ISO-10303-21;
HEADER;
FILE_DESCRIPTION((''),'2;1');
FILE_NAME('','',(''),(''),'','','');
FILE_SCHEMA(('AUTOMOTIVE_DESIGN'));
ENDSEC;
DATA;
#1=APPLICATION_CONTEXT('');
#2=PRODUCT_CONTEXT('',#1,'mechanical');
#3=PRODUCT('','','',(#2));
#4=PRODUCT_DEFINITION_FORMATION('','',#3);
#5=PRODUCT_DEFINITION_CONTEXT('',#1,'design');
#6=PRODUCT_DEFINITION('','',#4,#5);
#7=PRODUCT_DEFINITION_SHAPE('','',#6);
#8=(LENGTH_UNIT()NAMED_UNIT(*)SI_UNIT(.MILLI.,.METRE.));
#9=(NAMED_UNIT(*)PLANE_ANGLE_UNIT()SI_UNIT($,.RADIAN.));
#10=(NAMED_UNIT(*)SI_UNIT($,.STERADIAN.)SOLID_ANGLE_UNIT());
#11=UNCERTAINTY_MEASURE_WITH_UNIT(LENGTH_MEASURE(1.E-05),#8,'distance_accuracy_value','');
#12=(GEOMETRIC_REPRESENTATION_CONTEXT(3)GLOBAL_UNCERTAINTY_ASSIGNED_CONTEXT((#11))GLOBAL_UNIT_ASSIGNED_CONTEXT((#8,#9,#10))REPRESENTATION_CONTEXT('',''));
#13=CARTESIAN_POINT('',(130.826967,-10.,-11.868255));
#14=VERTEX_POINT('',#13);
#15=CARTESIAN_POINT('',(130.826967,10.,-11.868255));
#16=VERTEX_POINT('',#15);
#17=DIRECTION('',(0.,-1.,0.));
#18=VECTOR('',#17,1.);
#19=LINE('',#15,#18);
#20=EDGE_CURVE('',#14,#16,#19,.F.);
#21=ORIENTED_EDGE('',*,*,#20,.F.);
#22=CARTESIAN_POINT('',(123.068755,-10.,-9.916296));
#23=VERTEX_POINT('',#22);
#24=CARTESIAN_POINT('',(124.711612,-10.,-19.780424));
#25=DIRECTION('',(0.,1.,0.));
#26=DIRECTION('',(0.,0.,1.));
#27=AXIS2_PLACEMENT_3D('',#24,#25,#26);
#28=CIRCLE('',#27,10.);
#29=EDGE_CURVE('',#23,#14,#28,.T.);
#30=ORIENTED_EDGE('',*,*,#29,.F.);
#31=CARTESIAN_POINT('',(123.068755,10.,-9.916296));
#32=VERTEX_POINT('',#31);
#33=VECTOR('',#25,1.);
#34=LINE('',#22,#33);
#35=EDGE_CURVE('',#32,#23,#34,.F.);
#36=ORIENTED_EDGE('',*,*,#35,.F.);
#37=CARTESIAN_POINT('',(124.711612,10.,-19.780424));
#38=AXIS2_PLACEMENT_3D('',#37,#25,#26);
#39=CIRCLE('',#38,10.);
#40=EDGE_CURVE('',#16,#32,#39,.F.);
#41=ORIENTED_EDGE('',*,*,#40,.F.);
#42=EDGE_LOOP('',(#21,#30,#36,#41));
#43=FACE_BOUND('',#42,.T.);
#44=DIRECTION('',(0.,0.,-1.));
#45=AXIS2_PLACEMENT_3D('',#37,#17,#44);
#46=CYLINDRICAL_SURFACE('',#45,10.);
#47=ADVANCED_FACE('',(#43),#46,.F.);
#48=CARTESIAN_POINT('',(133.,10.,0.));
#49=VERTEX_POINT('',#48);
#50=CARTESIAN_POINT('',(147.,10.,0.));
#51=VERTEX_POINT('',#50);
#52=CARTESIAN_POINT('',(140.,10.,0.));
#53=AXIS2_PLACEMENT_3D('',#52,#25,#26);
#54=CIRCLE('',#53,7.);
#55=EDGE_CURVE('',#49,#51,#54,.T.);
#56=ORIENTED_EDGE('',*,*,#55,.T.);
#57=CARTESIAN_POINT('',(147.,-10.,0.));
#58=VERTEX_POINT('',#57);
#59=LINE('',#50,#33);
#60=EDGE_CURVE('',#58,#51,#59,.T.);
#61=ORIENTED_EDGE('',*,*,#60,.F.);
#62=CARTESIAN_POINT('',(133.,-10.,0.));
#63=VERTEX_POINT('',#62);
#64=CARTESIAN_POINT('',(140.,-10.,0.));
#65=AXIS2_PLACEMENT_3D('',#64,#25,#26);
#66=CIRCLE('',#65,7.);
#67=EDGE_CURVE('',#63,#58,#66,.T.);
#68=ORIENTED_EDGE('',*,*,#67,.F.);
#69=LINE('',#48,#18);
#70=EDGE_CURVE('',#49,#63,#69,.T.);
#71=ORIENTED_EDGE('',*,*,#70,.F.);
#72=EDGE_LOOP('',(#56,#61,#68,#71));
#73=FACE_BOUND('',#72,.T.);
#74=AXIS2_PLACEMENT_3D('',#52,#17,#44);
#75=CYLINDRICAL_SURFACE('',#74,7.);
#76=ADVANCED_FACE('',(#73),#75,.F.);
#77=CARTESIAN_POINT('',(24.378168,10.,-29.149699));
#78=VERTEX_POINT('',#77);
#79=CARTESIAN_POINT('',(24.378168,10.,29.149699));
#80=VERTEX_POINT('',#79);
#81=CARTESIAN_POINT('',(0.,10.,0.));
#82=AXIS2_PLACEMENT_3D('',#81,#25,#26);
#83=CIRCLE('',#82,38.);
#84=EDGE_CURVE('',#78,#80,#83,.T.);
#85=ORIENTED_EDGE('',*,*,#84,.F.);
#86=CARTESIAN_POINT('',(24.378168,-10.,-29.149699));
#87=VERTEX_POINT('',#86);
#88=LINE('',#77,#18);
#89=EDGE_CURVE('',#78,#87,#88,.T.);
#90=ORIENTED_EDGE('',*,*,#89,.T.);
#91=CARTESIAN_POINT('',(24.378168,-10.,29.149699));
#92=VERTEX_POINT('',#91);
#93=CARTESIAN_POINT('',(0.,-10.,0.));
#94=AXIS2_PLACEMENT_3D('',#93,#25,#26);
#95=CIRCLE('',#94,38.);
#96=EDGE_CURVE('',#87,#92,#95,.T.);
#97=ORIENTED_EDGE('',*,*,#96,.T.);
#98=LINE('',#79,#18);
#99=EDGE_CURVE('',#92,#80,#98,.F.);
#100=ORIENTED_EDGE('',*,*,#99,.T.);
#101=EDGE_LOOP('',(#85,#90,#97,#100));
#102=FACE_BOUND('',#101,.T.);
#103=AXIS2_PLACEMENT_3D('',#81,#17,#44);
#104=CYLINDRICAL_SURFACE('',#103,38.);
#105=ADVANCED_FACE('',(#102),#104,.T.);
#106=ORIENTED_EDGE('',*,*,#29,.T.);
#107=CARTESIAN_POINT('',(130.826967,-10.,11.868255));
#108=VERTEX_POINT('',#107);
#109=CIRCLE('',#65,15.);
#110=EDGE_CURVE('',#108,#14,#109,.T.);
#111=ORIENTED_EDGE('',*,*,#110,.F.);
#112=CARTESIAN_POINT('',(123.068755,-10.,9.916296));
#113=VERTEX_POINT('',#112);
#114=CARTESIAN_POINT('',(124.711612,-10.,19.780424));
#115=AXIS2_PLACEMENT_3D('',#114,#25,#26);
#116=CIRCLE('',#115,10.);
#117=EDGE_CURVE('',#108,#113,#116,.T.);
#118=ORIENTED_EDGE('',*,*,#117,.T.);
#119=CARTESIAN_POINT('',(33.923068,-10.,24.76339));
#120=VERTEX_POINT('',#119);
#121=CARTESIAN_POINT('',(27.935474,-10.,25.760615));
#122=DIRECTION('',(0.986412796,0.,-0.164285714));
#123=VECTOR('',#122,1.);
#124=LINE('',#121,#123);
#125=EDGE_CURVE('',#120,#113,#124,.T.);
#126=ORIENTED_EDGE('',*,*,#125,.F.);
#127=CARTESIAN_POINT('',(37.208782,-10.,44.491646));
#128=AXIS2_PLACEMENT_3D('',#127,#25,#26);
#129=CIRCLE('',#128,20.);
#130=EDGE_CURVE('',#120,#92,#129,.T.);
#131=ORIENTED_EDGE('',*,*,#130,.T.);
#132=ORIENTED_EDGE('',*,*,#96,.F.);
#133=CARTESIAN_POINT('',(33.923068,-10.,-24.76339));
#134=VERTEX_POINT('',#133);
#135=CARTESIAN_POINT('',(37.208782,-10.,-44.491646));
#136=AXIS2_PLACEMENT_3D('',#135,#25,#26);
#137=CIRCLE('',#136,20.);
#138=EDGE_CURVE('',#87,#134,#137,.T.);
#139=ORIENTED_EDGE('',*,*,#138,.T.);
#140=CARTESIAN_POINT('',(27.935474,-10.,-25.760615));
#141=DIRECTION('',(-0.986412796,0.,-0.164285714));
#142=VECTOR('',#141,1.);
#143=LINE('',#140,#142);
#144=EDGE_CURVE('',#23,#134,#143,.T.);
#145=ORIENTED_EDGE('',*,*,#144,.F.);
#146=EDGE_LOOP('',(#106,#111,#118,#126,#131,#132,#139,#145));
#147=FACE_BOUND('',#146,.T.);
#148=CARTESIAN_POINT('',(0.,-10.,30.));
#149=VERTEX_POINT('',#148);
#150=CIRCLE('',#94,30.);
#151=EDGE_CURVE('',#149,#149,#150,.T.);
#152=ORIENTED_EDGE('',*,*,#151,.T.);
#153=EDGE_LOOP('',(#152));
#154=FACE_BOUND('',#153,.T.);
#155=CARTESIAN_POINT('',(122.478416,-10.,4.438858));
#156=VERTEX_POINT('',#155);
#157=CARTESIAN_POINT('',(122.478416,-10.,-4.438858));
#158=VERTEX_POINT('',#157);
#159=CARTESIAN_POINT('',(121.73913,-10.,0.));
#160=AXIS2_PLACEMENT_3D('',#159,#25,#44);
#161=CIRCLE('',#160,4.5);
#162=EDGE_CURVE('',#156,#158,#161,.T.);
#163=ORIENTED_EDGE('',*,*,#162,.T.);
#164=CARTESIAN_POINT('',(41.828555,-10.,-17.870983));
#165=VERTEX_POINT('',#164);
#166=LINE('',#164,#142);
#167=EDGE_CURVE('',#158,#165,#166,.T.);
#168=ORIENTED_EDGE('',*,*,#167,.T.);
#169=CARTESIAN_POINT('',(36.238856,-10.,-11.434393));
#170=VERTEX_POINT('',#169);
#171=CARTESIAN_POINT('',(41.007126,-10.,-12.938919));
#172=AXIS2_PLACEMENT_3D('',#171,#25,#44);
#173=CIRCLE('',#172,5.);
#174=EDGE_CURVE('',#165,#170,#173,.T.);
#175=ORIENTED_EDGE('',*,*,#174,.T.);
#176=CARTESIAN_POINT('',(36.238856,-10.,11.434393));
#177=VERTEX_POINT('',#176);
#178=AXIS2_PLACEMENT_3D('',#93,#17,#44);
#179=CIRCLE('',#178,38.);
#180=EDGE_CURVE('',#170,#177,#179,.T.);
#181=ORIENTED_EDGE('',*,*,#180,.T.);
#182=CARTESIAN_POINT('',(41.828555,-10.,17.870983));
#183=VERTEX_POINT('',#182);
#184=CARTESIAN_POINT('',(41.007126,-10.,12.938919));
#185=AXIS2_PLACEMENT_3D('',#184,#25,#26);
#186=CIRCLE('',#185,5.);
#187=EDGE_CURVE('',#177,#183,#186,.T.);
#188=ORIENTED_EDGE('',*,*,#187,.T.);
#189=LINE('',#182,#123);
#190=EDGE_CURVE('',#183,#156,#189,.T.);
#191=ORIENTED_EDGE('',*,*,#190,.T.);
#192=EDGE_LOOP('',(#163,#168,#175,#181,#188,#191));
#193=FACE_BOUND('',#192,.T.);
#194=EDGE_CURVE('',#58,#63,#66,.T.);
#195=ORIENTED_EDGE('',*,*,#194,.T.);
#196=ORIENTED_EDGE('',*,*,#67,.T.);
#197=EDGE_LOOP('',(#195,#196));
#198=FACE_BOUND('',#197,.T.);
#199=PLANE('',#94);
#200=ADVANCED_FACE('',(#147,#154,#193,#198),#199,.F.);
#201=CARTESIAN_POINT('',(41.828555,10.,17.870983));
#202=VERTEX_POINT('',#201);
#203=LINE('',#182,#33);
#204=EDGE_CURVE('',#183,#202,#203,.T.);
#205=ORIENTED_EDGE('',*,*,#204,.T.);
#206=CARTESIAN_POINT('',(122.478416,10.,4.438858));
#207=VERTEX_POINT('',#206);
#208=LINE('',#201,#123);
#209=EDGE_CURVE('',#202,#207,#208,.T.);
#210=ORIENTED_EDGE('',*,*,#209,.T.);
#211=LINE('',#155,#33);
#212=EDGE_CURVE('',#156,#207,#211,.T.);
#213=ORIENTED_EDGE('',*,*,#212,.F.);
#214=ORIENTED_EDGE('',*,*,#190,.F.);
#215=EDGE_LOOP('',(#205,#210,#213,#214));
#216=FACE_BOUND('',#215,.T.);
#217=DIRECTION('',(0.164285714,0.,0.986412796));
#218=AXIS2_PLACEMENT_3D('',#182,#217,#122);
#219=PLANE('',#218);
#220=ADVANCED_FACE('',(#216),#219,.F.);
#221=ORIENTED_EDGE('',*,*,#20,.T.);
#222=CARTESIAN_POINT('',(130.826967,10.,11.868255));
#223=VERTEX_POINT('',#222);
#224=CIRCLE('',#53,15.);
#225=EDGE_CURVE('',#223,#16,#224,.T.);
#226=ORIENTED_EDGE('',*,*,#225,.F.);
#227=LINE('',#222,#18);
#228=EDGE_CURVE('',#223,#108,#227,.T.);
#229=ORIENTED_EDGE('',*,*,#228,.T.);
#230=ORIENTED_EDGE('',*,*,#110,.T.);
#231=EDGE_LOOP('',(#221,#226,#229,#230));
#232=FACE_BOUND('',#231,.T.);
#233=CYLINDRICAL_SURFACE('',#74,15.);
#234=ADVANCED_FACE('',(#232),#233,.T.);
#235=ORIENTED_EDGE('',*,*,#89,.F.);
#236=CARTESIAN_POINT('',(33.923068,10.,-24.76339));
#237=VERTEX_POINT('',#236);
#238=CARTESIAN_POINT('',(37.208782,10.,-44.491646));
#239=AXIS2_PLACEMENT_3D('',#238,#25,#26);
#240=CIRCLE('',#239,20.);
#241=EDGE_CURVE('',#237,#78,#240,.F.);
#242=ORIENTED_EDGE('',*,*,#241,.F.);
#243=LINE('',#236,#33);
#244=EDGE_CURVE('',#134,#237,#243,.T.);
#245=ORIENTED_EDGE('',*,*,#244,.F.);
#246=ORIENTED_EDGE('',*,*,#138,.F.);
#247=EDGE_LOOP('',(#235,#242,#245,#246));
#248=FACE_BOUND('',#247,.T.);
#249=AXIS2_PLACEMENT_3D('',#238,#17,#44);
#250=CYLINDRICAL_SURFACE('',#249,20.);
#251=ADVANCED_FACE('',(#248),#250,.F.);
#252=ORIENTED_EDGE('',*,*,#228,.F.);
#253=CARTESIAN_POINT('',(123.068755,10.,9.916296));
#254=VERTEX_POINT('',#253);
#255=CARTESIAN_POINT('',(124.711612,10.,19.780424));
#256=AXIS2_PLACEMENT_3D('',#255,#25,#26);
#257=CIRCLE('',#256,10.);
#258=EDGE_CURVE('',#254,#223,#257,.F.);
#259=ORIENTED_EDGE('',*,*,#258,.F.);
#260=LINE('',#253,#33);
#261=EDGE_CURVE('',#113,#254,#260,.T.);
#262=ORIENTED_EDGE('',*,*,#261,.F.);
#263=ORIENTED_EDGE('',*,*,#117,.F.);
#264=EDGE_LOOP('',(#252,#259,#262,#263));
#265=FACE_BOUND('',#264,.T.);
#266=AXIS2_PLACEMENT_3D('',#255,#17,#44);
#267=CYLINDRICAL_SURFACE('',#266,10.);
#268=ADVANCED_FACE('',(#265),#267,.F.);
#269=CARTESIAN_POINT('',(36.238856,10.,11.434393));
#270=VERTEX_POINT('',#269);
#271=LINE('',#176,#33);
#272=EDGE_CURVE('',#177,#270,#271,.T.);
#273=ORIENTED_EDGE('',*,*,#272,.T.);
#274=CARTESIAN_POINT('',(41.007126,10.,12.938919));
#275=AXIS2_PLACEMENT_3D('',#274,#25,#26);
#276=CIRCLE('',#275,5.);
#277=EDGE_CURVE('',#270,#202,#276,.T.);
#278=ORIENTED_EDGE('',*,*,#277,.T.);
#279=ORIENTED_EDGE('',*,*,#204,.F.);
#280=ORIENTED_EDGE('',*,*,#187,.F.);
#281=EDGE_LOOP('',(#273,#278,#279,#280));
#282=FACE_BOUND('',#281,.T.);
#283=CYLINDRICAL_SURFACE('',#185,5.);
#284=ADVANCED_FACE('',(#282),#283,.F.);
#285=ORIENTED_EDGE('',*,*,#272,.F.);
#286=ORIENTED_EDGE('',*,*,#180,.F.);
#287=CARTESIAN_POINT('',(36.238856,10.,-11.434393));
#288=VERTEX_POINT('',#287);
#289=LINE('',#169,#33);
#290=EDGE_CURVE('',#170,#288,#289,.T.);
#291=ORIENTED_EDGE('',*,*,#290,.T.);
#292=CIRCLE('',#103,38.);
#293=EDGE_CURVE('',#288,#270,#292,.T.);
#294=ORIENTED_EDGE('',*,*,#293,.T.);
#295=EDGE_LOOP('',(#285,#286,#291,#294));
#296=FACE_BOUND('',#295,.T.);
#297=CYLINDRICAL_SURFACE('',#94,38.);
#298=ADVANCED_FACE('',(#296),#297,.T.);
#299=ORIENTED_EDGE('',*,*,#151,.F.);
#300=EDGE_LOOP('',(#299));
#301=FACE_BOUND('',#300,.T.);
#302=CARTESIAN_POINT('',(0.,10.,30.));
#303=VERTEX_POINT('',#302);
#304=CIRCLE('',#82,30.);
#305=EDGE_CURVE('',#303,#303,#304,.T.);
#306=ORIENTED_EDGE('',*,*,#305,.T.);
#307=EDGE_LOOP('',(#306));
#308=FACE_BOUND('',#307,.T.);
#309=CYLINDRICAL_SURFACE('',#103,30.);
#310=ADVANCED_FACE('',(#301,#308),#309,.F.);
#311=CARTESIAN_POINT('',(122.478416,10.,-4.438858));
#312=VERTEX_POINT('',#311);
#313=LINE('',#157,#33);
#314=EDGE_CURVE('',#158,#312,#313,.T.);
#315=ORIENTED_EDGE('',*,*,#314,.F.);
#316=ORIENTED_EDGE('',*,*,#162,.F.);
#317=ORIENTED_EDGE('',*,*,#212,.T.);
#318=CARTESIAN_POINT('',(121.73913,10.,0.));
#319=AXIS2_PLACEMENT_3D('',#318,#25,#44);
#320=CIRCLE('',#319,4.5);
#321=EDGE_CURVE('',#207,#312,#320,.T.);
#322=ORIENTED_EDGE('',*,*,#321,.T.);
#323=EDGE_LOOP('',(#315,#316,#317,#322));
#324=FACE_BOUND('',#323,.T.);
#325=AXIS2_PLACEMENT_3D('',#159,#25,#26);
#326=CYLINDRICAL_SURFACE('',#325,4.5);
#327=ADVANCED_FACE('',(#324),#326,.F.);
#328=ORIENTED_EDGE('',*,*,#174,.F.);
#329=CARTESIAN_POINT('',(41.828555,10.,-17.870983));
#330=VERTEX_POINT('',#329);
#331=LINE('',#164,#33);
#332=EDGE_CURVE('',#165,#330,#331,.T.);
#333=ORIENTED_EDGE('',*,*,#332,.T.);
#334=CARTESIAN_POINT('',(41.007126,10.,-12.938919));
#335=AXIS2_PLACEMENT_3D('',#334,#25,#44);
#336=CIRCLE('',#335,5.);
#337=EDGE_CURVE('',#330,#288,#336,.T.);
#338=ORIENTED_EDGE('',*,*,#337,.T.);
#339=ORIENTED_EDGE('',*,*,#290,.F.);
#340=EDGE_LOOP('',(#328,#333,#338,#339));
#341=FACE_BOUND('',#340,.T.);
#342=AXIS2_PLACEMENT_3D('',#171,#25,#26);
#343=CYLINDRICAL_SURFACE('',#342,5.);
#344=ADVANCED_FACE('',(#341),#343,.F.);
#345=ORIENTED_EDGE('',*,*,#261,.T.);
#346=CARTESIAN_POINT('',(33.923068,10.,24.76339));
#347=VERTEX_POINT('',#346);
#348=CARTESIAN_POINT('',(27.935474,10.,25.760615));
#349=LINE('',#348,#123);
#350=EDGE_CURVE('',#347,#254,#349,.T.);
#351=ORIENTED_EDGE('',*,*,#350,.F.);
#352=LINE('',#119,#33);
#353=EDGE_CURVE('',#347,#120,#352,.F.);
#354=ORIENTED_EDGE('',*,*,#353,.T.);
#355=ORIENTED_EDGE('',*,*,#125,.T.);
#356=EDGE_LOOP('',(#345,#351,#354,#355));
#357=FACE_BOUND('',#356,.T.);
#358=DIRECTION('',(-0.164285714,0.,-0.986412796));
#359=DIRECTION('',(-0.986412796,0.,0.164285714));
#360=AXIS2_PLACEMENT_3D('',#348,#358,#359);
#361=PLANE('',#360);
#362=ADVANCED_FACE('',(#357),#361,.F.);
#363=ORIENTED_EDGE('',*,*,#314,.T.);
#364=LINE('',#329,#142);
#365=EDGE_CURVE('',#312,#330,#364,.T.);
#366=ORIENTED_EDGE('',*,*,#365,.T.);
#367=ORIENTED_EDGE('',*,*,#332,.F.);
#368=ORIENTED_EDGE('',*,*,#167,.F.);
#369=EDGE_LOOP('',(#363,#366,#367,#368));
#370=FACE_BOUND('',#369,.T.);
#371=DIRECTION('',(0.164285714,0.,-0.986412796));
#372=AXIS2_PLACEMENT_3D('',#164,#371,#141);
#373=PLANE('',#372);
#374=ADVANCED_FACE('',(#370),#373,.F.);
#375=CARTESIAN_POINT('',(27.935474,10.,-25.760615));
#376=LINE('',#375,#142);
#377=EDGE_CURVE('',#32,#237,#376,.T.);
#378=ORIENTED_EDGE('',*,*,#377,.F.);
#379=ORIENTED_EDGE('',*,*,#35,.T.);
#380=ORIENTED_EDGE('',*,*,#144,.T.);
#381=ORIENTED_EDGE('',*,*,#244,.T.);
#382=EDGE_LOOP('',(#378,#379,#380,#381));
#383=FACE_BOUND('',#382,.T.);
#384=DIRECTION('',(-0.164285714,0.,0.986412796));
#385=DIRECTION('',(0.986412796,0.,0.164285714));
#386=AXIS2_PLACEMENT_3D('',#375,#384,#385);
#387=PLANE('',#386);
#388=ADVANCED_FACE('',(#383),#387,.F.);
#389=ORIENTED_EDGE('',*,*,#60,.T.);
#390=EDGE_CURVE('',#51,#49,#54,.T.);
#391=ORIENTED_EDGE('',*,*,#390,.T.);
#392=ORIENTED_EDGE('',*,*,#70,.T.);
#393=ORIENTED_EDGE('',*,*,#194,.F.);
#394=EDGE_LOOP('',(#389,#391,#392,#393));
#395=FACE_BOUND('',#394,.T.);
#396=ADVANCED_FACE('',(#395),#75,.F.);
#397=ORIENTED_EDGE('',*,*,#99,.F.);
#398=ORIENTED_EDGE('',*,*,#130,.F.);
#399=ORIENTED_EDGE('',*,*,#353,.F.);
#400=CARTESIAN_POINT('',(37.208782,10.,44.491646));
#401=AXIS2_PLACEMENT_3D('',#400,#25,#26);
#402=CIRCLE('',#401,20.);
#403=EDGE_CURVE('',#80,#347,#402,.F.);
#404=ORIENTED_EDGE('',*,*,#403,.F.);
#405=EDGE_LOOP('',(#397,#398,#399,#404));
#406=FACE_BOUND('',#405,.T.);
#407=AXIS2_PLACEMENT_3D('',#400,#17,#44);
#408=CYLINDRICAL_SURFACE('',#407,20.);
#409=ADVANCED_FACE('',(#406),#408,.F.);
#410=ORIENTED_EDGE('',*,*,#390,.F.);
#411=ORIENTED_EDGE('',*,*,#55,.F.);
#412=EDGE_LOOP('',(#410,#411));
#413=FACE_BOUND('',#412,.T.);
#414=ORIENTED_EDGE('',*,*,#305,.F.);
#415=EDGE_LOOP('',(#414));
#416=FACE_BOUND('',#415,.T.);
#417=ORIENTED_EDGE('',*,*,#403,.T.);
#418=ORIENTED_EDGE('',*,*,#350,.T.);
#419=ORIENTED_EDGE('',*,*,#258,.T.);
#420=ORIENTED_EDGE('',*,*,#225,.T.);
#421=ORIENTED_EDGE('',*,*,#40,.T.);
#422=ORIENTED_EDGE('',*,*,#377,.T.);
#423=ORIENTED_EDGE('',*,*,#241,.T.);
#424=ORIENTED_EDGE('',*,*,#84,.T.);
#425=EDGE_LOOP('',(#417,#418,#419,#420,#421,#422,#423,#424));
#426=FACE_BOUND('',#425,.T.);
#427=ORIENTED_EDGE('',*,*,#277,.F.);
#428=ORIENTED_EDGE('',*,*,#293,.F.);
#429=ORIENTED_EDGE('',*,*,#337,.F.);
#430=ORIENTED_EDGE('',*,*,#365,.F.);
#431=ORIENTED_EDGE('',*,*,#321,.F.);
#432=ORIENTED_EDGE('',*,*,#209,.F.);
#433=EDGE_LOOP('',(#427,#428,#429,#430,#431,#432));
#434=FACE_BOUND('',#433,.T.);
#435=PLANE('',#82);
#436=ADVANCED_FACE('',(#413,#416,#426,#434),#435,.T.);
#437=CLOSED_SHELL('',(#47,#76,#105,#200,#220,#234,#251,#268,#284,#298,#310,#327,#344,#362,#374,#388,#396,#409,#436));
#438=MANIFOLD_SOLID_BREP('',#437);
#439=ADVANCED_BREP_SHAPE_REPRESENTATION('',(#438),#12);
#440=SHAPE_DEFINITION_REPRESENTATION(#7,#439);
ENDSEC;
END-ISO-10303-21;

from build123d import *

# Parameters (mm, degrees)
SKETCH1_R           = 30
SKETCH1_R_2         = 7
BOSS_EXTRUDE1_DEPTH = 10
FILLET1_R           = 20
FILLET2_R           = 10
CUT_EXTRUDE1_DEPTH  = 21


with BuildPart() as part:
    # Sketch1 → Boss-Extrude1 (new body, symmetric)
    with BuildSketch(Plane(origin=(0, 0, 0), x_dir=(1, 0, 0), z_dir=(0, 1, 0))):
        with BuildLine():
            Line((27.935473676, 25.760615491), (128.063755469, 9.084385863))
            ThreePointArc((128.063755469, 9.084385863), (155, 0), (128.063755469, -9.084385863))
            Line((128.063755469, -9.084385863), (27.935473676, -25.760615491))
            ThreePointArc((27.935473676, -25.760615491), (-38, 0), (27.935473676, 25.760615491))
        make_face()
        Circle(SKETCH1_R, mode=Mode.SUBTRACT)
        with Locations((140, 0)):
            Circle(SKETCH1_R_2, mode=Mode.SUBTRACT)
    extrude(amount=BOSS_EXTRUDE1_DEPTH, both=True)

    # Fillet1
    fillet1_edges = [part.edges().sort_by_distance(p)[0] for p in [
        (27.935473676, 0, -25.760615491),
        (27.935473676, 0, 25.760615491),
    ]]
    fillet(fillet1_edges, radius=FILLET1_R)

    # Fillet2
    fillet2_edges = [part.edges().sort_by_distance(p)[0] for p in [
        (128.063755469, 0, -9.084385863),
        (128.063755469, 0, 9.084385863),
    ]]
    fillet(fillet2_edges, radius=FILLET2_R)

    # Sketch2 → Cut-Extrude1 (cut, through all)
    with BuildSketch(Plane(origin=(0, 10, 0), x_dir=(1, 0, 0), z_dir=(0, 1, 0))):
        with BuildLine():
            Line((41.828554558, 17.870982725), (122.478416149, 4.438857582))
            ThreePointArc((122.478416149, 4.438857582), (126.239130435, 0), (122.478416149, -4.438857582))
            Line((122.478416149, -4.438857582), (41.828554558, -17.870982725))
            ThreePointArc((41.828554558, -17.870982725), (37.231968897, -16.217361812), (36.238855523, -11.43439331))
            ThreePointArc((36.238855523, -11.43439331), (38, 0), (36.238855523, 11.43439331))
            ThreePointArc((36.238855523, 11.43439331), (37.231968897, 16.217361812), (41.828554558, 17.870982725))
        make_face()
    extrude(amount=-CUT_EXTRUDE1_DEPTH, mode=Mode.SUBTRACT)


solid = part.part
